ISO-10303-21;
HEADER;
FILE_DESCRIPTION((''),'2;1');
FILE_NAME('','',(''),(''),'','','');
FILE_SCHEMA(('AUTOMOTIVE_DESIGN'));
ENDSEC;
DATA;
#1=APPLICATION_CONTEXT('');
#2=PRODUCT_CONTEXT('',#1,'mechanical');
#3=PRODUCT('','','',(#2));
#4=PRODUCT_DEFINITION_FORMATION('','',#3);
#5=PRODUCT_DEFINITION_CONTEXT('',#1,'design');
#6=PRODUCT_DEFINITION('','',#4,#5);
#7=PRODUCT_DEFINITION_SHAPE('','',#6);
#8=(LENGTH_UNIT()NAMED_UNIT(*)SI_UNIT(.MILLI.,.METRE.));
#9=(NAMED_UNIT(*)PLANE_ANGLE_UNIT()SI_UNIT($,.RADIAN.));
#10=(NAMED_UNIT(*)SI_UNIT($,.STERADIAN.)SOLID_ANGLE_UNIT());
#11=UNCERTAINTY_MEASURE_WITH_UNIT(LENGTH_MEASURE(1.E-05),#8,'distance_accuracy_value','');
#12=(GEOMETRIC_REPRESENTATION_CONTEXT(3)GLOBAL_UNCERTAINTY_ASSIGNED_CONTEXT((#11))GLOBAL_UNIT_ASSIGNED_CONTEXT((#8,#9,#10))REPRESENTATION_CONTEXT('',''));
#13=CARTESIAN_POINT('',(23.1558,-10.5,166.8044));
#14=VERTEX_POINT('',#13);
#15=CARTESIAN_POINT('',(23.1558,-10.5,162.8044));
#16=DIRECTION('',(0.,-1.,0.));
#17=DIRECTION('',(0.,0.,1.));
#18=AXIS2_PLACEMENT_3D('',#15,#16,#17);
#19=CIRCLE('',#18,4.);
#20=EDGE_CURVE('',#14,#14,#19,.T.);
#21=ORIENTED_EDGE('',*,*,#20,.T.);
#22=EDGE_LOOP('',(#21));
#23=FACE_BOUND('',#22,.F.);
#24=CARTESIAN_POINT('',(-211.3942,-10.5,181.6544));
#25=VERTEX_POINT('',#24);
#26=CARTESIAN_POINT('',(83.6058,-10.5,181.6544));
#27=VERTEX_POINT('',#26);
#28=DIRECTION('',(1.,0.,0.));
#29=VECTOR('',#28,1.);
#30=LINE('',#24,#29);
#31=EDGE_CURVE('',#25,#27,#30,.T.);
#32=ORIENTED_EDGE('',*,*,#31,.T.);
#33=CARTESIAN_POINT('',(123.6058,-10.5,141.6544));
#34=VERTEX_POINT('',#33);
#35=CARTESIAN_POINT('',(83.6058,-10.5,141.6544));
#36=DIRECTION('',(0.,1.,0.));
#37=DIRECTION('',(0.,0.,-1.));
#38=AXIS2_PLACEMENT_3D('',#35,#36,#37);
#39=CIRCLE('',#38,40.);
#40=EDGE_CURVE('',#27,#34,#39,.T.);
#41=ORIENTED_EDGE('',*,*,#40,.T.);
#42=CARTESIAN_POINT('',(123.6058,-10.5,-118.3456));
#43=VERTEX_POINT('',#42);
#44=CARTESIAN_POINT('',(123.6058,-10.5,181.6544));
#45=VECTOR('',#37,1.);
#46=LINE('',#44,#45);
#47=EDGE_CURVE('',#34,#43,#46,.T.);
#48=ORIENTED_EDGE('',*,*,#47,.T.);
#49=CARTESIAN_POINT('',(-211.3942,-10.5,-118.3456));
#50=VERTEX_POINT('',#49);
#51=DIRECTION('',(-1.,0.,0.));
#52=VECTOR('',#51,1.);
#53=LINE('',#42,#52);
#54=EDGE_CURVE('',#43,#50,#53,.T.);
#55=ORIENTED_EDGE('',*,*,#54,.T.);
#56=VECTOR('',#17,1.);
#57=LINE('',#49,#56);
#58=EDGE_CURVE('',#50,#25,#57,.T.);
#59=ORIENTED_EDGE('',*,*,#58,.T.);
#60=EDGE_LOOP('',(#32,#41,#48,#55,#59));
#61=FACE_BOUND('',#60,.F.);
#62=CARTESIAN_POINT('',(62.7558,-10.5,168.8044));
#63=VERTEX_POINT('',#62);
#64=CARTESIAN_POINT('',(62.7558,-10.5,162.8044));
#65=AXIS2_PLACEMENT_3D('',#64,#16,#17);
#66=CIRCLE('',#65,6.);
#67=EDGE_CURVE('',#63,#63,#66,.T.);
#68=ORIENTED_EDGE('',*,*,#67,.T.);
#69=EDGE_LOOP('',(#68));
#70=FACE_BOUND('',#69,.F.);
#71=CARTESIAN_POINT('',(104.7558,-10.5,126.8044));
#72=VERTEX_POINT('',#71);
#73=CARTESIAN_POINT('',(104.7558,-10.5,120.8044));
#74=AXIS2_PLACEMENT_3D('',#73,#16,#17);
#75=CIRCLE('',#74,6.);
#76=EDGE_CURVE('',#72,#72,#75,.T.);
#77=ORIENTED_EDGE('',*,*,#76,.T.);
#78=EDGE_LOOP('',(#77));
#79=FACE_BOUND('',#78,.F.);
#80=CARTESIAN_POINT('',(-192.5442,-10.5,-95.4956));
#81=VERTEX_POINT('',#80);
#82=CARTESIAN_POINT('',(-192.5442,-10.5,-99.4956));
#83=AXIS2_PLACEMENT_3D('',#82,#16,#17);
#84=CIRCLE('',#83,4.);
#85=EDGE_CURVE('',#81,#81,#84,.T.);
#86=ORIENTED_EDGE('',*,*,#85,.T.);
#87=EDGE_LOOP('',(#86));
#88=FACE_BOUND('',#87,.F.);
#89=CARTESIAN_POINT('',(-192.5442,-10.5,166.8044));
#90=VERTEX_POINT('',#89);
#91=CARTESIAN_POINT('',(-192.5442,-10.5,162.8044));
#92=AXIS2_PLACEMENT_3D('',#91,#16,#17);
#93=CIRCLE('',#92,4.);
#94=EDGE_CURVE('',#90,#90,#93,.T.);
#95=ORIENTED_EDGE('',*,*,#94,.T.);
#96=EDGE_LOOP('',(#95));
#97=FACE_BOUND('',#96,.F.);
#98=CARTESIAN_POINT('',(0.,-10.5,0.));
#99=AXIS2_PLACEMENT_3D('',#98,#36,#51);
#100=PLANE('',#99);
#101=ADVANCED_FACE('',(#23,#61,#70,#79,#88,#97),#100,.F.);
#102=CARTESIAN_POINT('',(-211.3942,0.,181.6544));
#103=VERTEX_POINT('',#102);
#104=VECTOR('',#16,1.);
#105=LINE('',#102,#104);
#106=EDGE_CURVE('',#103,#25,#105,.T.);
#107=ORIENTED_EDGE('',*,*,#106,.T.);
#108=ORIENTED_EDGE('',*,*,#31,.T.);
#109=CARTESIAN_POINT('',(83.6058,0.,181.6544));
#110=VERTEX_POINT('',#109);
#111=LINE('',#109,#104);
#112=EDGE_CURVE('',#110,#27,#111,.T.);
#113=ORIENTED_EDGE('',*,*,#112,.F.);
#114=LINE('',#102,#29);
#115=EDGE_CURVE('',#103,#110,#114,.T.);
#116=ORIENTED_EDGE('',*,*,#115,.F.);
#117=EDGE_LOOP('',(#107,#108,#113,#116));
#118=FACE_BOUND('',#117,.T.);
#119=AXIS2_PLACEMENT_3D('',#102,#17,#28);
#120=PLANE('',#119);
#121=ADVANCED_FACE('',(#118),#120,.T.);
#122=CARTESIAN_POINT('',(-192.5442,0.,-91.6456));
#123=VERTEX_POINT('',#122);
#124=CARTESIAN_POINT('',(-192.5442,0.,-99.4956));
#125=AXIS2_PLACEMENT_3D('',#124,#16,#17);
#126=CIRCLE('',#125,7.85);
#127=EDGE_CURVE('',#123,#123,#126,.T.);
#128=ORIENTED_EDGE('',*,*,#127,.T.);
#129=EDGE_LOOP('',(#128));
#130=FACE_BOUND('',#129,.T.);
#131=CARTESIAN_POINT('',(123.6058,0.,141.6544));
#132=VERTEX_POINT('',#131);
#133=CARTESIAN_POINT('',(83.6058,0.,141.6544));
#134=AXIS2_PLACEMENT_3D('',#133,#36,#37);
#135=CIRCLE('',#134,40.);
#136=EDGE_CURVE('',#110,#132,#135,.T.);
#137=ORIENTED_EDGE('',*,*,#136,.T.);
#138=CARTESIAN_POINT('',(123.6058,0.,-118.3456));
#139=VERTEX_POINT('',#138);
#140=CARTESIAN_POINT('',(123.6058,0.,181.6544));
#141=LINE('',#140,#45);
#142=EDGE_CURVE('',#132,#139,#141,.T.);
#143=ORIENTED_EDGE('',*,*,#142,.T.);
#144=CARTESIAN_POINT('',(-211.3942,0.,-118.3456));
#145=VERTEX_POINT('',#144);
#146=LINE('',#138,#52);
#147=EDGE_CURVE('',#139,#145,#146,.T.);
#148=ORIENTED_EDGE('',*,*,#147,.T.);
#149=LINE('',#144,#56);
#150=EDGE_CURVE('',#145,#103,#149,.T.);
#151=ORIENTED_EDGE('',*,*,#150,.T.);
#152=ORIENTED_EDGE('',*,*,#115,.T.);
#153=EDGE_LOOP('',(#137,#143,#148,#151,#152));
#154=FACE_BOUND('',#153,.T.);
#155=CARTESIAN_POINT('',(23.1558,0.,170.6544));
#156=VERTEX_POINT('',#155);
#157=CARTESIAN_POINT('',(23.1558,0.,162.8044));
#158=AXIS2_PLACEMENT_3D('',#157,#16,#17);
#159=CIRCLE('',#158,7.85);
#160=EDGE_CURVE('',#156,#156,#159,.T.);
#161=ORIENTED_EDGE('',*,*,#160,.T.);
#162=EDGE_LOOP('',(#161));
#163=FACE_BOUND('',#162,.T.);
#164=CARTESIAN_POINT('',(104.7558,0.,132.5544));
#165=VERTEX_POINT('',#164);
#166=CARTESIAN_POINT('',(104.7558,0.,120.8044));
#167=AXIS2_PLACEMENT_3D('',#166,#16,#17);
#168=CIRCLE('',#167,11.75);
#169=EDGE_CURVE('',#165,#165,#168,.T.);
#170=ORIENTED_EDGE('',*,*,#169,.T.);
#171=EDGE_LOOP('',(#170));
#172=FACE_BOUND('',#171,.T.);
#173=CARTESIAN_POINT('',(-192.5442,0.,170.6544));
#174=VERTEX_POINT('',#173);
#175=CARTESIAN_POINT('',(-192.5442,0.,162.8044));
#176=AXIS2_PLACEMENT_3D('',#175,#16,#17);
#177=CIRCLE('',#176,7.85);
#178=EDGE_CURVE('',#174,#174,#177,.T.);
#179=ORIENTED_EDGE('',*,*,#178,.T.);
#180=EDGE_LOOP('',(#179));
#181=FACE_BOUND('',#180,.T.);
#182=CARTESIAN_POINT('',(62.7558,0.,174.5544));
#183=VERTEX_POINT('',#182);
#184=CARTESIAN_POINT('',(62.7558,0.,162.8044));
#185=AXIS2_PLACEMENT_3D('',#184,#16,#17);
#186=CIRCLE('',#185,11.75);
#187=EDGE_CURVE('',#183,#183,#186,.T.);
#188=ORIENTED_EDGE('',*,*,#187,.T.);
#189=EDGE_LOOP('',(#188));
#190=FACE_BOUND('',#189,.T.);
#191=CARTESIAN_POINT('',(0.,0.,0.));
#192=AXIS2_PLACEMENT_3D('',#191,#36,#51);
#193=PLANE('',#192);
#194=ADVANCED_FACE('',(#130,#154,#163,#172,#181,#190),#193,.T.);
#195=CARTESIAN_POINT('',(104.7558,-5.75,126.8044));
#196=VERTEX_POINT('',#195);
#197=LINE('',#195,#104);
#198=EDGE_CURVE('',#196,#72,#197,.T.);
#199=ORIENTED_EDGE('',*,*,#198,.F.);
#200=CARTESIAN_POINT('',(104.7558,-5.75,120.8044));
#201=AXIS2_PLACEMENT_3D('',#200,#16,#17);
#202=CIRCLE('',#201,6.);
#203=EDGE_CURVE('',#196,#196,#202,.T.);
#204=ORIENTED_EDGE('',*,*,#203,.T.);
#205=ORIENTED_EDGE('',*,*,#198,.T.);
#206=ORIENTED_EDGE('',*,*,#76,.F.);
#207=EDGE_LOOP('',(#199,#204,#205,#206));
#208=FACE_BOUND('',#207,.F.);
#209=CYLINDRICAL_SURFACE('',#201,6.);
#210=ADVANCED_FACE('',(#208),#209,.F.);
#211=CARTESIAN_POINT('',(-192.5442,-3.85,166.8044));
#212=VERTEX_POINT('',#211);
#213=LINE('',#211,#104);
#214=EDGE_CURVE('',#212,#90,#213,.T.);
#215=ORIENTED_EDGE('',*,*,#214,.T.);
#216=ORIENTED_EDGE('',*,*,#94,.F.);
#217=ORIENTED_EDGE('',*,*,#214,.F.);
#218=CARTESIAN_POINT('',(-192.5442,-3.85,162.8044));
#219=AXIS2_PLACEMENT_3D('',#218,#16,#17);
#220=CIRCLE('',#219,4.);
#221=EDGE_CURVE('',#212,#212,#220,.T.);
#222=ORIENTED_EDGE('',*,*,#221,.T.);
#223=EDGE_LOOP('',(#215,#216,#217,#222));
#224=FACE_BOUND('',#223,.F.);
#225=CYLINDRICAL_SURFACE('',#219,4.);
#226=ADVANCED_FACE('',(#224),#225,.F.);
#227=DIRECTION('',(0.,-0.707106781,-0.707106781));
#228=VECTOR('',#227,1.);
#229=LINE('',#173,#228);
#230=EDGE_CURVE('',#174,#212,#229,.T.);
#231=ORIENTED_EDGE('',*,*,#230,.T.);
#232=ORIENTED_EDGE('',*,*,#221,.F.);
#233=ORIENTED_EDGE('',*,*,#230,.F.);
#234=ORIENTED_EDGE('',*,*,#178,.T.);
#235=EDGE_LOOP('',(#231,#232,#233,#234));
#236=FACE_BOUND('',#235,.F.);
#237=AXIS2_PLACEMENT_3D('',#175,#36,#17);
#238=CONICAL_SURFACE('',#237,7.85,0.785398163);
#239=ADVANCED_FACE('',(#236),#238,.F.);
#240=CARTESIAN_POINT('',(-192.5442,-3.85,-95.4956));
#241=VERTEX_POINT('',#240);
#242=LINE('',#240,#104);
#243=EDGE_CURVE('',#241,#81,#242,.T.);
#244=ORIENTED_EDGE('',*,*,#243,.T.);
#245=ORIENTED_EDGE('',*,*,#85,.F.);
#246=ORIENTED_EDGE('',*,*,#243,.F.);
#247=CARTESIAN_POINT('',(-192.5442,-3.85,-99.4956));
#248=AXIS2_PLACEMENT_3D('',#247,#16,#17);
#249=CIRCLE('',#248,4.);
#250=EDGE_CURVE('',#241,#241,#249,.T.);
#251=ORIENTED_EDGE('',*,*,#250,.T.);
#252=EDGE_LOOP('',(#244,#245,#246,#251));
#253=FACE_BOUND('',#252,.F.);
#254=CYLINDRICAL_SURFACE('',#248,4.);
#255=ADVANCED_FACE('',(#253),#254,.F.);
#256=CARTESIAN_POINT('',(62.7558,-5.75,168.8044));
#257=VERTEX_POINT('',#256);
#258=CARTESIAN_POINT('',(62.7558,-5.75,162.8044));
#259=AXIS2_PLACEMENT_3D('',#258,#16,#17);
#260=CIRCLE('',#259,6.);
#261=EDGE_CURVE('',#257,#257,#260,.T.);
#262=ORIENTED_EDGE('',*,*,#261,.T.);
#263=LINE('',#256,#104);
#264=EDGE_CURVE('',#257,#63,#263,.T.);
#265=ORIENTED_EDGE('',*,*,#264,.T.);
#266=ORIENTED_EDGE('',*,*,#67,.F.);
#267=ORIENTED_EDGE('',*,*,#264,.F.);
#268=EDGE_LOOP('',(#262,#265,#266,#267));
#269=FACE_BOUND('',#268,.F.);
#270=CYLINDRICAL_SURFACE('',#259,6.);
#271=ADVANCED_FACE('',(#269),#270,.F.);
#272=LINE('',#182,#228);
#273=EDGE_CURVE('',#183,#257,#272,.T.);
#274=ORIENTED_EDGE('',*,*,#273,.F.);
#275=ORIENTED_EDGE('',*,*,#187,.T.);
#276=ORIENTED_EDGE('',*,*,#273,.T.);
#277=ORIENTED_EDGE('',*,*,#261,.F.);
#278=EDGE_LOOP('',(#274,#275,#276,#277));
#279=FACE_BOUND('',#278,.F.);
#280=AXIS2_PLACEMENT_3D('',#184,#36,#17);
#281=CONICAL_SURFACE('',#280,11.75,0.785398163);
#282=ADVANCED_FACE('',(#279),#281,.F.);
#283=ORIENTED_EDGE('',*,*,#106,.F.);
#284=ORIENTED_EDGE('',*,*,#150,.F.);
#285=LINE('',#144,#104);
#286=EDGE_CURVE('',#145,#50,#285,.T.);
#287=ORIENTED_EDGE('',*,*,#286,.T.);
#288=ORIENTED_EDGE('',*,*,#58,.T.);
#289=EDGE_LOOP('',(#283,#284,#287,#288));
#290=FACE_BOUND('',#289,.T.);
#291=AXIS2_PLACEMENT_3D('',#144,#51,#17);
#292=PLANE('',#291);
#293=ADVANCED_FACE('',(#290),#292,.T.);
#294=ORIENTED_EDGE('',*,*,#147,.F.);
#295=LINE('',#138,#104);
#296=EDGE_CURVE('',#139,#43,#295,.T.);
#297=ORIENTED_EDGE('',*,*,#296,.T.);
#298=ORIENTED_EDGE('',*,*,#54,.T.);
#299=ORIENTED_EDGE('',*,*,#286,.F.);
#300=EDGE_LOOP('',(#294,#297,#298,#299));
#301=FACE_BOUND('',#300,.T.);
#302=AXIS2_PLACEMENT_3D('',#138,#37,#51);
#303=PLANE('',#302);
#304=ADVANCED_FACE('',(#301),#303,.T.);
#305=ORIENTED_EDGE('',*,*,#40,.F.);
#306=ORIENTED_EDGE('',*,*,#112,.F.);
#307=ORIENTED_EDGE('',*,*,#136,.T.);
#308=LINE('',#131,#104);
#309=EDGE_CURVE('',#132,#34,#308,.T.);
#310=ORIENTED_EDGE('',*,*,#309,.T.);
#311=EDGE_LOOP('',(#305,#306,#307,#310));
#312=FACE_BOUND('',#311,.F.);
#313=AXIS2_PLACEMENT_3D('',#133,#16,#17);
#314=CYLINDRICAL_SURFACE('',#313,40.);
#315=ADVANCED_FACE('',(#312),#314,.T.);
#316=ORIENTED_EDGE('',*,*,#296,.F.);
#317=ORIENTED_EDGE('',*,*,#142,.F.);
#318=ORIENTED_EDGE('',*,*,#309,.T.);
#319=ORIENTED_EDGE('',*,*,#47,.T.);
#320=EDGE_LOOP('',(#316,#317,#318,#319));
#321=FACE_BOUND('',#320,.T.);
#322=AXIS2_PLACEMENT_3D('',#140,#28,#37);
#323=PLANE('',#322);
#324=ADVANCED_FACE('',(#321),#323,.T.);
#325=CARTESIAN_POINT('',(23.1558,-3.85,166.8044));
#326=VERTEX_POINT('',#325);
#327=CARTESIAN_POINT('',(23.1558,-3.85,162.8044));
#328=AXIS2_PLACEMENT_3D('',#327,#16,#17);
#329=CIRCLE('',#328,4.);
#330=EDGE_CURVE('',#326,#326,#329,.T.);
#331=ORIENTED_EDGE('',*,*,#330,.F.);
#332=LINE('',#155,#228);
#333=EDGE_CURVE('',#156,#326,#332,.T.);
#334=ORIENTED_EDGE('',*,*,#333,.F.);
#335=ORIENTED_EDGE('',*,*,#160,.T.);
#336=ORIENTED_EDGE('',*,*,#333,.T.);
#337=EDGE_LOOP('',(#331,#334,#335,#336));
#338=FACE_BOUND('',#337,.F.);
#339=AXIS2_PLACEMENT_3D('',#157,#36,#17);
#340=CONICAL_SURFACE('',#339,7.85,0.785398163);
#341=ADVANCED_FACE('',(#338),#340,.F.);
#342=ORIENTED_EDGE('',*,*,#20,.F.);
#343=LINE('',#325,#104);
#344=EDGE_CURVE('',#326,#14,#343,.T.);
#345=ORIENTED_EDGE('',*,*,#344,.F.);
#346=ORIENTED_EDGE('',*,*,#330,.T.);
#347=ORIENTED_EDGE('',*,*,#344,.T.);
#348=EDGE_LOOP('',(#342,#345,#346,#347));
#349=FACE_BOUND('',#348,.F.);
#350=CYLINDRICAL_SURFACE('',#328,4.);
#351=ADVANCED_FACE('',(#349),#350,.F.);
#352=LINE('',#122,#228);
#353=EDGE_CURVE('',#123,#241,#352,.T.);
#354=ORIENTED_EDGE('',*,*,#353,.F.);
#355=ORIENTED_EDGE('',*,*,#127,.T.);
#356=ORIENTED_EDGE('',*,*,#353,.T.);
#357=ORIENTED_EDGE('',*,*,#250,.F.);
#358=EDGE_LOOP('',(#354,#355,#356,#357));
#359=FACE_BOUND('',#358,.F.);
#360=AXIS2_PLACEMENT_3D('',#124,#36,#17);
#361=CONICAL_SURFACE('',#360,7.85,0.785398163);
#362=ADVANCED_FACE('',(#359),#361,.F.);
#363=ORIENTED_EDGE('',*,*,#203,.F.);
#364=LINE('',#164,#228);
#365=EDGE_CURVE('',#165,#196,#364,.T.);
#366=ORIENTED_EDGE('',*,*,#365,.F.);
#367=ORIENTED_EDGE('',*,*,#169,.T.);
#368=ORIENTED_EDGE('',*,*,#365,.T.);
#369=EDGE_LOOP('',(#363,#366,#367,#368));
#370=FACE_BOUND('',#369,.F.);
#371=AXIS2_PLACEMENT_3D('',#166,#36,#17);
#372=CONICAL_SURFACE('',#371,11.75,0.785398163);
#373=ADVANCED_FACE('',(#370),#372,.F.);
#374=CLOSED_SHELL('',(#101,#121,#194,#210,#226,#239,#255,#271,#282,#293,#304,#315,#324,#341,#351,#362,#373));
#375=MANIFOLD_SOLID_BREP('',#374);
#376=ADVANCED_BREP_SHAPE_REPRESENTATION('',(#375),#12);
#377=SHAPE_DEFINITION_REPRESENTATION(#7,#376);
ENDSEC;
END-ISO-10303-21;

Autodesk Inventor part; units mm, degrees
ref_plane "YZ Plane" through (0, 0, 0) normal (1, 0, 0) x (0, 1, 0)
ref_plane "XZ Plane" through (0, 0, 0) normal (0, 1, 0) x (-1, 0, 0)
ref_plane "XY Plane" through (0, 0, 0) normal (0, 0, 1) x (1, 0, 0)
sketch "Sketch1" plane through (0, 0, 0) normal (0, 1, 0) x (-1, 0, 0)
  line L0 (211.3942, 181.6544) -> (-123.6058, 181.6544)
  line L1 (-123.6058, 181.6544) -> (-123.6058, -118.3456)
  line L2 (-123.6058, -118.3456) -> (211.3942, -118.3456)
  line L3 (211.3942, -118.3456) -> (211.3942, 181.6544)
  arc A0 (-123.6058, -378.3456) -> (-83.6058, -418.3456) centre (-83.6058, -378.3456) ccw projected
  line L4 (-83.6058, -418.3456) -> (211.3942, -418.3456) projected
  line L5 (211.3942, -418.3456) -> (211.3942, -118.3456) projected
  line L6 (211.3942, -118.3456) -> (-123.6058, -118.3456) projected
  line L7 (-123.6058, -118.3456) -> (-123.6058, -378.3456) projected
  circle A1 centre (-104.7558, -357.4956) radius 11.75 projected
  circle A2 centre (-62.7558, -399.4956) radius 11.75 projected
  circle A3 centre (-104.7558, -137.1956) radius 7.85 projected
  circle A4 centre (-104.7558, -317.8956) radius 7.85 projected
  circle A5 centre (-23.1558, -399.4956) radius 7.85 projected
  circle A6 centre (192.5442, -399.4956) radius 7.85 projected
  circle A7 centre (192.5442, -137.1956) radius 7.85 projected
  point P0 (0, 0)
  point P1 (-104.7558, 120.8044)
  point P2 (-62.7558, 162.8044)
  point P3 (-23.1558, 162.8044)
  point P4 (192.5442, 162.8044)
  point P5 (192.5442, -99.4956)
  point P6 (192.5442, 162.8044)
  point P7 (-23.1558, 162.8044)
  point P8 (-62.7558, 162.8044)
  point P9 (-104.7558, 120.8044)
  point P10 (192.5442, -99.4956)
  dimension "d0" = 335
  dimension "d1" = 300
  dimension "d2" = 0
  dimension "d3" = 0
extrude "Extrusion1" add sketch "Sketch1" against normal blind 10.5 contours L3 L2 L1 L0
hole "Hole1" at (-192.5442, 0, 162.8044) at (23.1558, 0, 162.8044) at (-192.5442, 0, -99.4956) direction (0, -1, 0) diameter 8 end through all countersink diameter 15.7 countersink angle 90
hole "Hole2" at (62.7558, 0, 162.8044) at (104.7558, 0, 120.8044) direction (0, -1, 0) diameter 12 end through all countersink diameter 23.5 countersink angle 90
fillet "Fillet1" radius 40 1 edges at (123.6058, -5.25, 181.6544)
properties part number "Right bottom plate"
